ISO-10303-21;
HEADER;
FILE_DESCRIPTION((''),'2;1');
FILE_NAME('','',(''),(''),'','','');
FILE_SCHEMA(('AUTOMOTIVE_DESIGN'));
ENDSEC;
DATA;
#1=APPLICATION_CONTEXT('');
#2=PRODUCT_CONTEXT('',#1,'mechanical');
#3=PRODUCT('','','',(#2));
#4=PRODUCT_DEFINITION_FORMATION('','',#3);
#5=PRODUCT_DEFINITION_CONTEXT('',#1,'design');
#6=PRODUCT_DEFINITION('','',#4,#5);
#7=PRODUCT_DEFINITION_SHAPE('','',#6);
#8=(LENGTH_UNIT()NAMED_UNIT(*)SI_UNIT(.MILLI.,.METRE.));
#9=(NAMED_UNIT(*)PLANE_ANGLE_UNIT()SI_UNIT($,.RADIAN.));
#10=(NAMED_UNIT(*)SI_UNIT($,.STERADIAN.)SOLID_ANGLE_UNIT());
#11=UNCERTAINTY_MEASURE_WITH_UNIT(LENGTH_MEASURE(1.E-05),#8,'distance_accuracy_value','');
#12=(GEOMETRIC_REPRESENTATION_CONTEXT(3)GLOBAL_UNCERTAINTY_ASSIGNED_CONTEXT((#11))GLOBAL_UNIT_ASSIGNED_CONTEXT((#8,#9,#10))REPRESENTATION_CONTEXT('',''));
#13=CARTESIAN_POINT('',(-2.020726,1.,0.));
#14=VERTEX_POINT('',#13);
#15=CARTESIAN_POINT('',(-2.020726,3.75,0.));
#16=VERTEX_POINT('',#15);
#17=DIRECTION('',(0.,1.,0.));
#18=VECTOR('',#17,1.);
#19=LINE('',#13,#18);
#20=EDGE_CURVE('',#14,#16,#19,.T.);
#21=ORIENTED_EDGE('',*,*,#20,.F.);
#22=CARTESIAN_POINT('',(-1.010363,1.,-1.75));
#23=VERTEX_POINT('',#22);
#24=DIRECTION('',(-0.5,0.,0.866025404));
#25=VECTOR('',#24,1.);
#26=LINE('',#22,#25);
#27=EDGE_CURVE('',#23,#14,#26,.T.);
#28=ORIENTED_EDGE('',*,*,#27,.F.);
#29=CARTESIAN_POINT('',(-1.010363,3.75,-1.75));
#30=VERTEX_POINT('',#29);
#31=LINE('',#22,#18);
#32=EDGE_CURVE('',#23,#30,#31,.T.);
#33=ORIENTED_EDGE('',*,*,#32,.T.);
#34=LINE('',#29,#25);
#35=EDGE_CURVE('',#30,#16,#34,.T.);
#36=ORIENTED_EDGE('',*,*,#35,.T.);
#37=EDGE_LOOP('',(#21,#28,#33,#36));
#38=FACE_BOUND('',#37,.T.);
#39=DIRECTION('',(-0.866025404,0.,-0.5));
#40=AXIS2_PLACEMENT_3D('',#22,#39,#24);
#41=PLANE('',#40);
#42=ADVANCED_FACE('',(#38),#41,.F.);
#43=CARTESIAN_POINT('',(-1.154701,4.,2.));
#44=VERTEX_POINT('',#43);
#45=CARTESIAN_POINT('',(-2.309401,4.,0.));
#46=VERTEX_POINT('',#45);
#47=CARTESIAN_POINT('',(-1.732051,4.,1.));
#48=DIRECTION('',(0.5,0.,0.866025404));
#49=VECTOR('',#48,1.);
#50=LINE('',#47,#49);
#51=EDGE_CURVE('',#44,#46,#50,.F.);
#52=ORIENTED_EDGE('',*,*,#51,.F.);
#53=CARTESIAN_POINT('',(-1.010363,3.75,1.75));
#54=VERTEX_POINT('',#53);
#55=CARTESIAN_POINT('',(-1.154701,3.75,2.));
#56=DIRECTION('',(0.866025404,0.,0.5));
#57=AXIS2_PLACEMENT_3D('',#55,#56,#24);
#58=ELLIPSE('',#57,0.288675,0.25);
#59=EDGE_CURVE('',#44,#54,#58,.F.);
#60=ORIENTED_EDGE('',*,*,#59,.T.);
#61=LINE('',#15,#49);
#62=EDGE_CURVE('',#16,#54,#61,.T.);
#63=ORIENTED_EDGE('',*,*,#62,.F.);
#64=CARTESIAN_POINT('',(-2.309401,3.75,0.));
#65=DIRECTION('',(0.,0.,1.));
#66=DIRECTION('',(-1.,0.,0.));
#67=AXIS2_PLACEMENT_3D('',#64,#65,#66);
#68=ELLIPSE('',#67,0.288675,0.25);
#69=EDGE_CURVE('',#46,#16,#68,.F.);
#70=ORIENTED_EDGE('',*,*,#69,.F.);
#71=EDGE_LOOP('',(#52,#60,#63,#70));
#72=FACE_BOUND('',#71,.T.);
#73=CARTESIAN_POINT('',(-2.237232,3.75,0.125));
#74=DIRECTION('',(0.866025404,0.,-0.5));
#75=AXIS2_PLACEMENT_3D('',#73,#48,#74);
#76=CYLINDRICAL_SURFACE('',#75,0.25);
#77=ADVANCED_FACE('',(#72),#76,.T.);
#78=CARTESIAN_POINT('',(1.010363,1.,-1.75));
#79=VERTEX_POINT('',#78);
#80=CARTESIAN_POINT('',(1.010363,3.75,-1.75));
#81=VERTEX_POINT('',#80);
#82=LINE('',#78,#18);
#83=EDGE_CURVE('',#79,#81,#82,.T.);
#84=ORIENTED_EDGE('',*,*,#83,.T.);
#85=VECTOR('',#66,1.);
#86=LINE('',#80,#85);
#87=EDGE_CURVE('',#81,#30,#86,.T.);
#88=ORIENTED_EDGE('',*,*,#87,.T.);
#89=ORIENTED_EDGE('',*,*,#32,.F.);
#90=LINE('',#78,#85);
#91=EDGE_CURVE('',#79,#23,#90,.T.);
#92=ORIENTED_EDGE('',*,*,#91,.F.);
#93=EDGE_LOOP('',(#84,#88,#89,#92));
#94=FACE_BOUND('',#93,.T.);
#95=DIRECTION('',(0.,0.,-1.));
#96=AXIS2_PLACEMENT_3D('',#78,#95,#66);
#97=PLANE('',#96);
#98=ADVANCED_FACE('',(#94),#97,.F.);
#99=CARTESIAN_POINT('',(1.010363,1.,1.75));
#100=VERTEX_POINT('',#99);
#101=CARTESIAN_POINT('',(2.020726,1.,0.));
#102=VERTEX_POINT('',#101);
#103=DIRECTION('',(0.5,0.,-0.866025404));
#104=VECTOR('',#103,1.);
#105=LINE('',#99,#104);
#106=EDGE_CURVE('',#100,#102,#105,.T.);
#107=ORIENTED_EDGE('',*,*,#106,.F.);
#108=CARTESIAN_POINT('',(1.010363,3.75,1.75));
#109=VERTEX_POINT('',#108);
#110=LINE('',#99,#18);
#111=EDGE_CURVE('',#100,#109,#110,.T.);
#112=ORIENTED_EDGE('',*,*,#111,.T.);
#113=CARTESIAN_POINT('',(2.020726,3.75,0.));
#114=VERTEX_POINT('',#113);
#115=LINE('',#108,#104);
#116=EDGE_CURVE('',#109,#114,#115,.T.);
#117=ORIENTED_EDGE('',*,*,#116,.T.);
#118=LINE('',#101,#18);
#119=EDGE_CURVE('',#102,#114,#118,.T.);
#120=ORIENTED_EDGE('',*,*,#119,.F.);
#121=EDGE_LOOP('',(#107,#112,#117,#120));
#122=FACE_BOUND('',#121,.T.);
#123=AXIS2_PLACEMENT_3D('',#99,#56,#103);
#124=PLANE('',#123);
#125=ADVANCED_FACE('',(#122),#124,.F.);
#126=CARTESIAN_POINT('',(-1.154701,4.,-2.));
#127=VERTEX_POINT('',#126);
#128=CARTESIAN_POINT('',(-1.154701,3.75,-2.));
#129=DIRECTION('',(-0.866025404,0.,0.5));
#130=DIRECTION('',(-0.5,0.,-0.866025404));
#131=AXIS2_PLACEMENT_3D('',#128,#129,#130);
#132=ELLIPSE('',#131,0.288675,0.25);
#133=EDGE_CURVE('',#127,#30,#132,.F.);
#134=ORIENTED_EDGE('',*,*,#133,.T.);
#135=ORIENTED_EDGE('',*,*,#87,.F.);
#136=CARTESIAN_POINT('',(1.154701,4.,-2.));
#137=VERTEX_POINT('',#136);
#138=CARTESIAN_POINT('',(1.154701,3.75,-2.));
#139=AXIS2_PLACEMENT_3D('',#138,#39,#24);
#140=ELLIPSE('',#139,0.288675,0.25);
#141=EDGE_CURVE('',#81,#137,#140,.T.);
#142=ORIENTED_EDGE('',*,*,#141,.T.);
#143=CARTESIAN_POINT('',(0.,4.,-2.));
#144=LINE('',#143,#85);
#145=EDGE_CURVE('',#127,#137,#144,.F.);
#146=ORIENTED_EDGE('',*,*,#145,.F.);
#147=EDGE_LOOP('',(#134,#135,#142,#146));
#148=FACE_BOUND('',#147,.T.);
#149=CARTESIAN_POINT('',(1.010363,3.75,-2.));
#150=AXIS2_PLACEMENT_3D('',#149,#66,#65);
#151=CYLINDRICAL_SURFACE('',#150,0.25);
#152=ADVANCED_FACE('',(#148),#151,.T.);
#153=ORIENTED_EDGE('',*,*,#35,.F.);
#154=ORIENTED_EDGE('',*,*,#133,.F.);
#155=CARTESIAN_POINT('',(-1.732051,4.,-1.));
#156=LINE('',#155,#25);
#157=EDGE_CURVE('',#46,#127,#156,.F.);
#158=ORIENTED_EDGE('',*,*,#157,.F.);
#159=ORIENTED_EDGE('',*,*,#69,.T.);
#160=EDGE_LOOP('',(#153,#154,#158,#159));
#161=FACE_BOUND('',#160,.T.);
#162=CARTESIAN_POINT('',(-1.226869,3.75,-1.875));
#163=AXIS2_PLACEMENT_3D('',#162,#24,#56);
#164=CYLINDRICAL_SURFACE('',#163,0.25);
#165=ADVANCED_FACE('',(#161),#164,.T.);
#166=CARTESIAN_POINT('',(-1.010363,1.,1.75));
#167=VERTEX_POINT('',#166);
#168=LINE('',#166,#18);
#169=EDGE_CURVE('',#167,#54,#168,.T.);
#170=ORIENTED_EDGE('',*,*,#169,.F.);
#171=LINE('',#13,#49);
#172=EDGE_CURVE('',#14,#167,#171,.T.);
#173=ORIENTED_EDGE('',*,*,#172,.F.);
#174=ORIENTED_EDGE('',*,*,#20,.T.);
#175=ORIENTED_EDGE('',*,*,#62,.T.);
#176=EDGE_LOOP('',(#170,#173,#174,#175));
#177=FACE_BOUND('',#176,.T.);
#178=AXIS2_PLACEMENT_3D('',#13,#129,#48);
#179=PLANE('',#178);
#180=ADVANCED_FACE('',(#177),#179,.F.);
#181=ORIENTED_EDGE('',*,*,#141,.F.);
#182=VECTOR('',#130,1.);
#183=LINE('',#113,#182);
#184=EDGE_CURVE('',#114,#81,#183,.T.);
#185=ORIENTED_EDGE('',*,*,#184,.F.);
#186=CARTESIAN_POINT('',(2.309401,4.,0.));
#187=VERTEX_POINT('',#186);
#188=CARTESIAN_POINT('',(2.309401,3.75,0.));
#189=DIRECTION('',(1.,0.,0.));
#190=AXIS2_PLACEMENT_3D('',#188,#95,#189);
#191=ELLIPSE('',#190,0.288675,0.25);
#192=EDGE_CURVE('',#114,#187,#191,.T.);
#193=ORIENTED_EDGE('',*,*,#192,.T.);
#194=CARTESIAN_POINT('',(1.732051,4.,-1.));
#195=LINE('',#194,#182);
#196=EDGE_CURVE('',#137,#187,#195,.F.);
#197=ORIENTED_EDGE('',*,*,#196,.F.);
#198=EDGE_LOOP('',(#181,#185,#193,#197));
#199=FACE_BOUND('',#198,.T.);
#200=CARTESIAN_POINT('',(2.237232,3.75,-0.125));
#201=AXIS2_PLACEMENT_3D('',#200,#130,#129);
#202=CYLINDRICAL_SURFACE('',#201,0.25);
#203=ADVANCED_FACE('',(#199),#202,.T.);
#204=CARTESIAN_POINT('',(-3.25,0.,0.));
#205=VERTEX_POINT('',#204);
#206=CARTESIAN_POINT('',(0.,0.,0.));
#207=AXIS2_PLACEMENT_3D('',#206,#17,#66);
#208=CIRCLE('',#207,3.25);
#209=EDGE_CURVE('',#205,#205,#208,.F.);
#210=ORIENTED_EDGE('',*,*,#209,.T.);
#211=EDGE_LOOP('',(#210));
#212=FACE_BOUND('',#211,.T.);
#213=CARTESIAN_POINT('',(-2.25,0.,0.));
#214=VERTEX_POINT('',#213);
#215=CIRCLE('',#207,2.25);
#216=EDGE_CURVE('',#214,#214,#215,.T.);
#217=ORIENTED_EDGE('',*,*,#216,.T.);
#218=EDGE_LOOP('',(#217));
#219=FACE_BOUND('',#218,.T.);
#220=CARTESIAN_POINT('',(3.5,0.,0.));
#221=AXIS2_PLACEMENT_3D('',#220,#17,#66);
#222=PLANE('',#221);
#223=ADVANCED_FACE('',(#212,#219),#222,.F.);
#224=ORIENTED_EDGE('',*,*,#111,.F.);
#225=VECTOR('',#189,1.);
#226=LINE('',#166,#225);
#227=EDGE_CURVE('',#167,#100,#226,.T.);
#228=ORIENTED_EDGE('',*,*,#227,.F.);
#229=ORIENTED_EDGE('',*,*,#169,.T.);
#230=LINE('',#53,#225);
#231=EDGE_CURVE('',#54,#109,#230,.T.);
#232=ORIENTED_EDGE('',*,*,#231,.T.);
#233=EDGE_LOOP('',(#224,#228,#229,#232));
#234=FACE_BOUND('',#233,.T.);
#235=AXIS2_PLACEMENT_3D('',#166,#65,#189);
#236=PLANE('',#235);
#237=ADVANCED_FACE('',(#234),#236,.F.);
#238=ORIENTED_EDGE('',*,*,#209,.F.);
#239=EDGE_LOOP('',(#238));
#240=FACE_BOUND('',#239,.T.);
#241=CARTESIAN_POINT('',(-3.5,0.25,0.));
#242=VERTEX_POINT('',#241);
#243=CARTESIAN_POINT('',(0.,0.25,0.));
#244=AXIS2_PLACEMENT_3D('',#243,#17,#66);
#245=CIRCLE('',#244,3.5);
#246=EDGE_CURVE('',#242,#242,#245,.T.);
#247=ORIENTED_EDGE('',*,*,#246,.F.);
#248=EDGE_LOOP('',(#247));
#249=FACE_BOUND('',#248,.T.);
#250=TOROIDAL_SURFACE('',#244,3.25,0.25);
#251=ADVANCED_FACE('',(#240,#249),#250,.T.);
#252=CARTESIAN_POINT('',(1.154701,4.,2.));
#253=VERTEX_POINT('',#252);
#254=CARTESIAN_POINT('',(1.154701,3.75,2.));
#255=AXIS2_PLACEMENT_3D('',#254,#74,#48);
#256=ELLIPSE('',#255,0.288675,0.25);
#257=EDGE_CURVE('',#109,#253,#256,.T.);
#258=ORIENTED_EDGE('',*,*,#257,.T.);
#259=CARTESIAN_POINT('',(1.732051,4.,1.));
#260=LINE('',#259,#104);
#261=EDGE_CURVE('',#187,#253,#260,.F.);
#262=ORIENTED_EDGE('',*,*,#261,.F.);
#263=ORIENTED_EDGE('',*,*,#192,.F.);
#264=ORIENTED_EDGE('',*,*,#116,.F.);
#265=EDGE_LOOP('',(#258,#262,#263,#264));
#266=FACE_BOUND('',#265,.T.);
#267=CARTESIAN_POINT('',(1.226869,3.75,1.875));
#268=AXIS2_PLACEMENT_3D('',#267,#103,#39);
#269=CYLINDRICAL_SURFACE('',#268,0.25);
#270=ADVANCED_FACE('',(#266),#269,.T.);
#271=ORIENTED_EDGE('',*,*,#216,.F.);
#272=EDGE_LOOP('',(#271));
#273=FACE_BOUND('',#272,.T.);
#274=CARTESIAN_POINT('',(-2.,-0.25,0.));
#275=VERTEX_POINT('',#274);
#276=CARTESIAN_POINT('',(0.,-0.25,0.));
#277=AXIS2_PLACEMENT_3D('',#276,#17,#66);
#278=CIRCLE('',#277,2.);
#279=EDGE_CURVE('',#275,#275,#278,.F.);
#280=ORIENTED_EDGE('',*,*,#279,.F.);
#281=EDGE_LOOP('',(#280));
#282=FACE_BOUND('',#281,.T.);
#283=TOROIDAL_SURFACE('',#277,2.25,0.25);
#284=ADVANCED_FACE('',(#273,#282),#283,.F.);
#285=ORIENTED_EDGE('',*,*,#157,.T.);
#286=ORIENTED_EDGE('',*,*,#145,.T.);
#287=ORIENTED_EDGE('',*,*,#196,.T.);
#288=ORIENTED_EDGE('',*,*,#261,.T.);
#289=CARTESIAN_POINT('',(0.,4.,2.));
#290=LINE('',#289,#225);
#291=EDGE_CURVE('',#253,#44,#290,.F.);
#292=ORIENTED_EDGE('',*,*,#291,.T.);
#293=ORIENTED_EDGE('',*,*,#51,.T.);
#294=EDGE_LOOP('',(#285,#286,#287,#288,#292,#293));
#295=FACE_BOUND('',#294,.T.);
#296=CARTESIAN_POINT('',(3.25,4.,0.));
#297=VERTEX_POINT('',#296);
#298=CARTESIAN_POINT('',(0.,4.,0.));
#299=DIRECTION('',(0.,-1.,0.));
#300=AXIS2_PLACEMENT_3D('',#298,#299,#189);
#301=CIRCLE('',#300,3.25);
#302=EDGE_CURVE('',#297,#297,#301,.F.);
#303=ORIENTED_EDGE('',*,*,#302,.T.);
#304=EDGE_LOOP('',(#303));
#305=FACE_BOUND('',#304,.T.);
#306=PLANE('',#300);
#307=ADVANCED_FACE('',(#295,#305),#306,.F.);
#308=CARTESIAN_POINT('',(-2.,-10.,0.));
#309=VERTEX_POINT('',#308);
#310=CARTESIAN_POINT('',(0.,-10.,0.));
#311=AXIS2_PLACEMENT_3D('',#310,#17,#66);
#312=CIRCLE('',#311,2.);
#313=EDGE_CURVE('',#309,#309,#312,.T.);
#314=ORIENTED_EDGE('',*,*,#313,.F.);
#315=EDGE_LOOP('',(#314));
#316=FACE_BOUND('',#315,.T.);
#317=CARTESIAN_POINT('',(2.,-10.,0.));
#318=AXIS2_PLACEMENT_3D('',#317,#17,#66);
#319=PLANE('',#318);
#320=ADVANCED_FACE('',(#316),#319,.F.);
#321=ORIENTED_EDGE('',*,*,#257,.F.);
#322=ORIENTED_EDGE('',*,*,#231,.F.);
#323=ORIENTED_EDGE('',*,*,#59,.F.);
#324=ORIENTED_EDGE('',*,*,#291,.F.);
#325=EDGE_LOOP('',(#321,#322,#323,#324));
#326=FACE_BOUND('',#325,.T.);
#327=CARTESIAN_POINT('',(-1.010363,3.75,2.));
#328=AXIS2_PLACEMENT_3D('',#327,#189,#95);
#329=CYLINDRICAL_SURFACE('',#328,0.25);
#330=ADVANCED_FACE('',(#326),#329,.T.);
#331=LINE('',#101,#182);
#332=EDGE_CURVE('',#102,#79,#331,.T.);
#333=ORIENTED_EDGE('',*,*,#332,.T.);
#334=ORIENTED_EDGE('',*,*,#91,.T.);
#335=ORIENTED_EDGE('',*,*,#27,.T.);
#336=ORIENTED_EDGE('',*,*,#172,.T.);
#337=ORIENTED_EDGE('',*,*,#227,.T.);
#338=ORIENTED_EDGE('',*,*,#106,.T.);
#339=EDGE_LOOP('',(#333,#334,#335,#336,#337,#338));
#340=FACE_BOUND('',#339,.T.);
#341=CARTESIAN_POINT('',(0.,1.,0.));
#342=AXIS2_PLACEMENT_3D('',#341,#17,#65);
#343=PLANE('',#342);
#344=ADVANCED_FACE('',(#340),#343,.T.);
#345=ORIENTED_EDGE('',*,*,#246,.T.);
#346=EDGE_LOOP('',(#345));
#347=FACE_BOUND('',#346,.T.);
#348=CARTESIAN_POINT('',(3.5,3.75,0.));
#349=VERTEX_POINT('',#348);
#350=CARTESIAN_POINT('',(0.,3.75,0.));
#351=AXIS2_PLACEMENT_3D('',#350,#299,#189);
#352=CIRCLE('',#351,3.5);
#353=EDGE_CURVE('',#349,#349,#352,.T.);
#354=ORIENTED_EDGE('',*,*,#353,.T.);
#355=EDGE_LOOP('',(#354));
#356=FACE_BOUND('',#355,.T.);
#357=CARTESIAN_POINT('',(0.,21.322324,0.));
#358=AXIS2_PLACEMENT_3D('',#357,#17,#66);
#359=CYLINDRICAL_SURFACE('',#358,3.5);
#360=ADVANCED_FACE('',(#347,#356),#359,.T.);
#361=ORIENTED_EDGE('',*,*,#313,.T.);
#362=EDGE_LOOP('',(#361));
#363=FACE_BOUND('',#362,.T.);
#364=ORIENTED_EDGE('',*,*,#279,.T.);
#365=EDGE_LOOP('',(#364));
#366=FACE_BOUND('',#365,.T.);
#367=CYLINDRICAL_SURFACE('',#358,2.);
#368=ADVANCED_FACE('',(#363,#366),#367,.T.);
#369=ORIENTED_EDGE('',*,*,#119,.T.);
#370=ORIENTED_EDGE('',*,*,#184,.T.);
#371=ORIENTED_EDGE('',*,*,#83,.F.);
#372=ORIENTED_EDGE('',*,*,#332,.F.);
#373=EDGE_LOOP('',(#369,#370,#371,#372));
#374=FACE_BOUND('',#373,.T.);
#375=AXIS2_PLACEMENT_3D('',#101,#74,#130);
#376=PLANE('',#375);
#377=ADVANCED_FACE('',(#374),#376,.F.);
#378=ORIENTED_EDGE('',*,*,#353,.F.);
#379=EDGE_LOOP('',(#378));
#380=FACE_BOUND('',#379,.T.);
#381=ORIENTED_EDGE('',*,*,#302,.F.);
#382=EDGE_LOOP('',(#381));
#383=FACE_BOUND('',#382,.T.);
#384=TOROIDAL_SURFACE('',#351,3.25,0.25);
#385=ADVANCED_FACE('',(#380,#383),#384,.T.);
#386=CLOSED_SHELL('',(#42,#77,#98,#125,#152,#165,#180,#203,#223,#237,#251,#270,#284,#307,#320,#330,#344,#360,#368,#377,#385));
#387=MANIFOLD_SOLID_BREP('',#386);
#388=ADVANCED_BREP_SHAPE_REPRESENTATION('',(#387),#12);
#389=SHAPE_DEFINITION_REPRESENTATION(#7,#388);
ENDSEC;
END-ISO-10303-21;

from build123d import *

# Parameters (mm, degrees)
CUT_EXTRUDE1_DEPTH = 3
FILLET1_R          = 0.25


with BuildPart() as part:
    # Sketch2 → Revolve1 (revolve)
    with BuildSketch(Plane.XY, mode=Mode.PRIVATE) as revolve1_sk:
        Polygon((0, 4), (3.5, 4), (3.5, 0), (2, 0), (2, -10), (0, -10), align=None)
    revolve(revolve1_sk.sketch.rotate(Axis((0, 21.322324325, 0), (0, -1, 0)), 180), axis=Axis((0, 21.322324325, 0), (0, -1, 0)))

    # Sketch3 → Cut-Extrude1 (cut)
    with BuildSketch(Plane(origin=(0, 4, 0), x_dir=(1, 0, 0), z_dir=(0, 1, 0))):
        Polygon((2.020725942, 0), (1.010362971, 1.75), (-1.010362971, 1.75), (-2.020725942, 0), (-1.010362971, -1.75), (1.010362971, -1.75), align=None)
    extrude(amount=-CUT_EXTRUDE1_DEPTH, mode=Mode.SUBTRACT)

    # Fillet1
    fillet1_edges = [part.edges().sort_by_distance(p)[0] for p in [
        (1.515544457, 4, 0.875),
        (1.515544457, 4, -0.875),
        (0, 4, -1.75),
        (-1.515544457, 4, -0.875),
        (-1.515544457, 4, 0.875),
        (0, 4, 1.75),
        (2, 0, 0),
        (3.5, 0, 0),
        (3.5, 4, 0),
    ]]
    fillet(fillet1_edges, radius=FILLET1_R)


solid = part.part
